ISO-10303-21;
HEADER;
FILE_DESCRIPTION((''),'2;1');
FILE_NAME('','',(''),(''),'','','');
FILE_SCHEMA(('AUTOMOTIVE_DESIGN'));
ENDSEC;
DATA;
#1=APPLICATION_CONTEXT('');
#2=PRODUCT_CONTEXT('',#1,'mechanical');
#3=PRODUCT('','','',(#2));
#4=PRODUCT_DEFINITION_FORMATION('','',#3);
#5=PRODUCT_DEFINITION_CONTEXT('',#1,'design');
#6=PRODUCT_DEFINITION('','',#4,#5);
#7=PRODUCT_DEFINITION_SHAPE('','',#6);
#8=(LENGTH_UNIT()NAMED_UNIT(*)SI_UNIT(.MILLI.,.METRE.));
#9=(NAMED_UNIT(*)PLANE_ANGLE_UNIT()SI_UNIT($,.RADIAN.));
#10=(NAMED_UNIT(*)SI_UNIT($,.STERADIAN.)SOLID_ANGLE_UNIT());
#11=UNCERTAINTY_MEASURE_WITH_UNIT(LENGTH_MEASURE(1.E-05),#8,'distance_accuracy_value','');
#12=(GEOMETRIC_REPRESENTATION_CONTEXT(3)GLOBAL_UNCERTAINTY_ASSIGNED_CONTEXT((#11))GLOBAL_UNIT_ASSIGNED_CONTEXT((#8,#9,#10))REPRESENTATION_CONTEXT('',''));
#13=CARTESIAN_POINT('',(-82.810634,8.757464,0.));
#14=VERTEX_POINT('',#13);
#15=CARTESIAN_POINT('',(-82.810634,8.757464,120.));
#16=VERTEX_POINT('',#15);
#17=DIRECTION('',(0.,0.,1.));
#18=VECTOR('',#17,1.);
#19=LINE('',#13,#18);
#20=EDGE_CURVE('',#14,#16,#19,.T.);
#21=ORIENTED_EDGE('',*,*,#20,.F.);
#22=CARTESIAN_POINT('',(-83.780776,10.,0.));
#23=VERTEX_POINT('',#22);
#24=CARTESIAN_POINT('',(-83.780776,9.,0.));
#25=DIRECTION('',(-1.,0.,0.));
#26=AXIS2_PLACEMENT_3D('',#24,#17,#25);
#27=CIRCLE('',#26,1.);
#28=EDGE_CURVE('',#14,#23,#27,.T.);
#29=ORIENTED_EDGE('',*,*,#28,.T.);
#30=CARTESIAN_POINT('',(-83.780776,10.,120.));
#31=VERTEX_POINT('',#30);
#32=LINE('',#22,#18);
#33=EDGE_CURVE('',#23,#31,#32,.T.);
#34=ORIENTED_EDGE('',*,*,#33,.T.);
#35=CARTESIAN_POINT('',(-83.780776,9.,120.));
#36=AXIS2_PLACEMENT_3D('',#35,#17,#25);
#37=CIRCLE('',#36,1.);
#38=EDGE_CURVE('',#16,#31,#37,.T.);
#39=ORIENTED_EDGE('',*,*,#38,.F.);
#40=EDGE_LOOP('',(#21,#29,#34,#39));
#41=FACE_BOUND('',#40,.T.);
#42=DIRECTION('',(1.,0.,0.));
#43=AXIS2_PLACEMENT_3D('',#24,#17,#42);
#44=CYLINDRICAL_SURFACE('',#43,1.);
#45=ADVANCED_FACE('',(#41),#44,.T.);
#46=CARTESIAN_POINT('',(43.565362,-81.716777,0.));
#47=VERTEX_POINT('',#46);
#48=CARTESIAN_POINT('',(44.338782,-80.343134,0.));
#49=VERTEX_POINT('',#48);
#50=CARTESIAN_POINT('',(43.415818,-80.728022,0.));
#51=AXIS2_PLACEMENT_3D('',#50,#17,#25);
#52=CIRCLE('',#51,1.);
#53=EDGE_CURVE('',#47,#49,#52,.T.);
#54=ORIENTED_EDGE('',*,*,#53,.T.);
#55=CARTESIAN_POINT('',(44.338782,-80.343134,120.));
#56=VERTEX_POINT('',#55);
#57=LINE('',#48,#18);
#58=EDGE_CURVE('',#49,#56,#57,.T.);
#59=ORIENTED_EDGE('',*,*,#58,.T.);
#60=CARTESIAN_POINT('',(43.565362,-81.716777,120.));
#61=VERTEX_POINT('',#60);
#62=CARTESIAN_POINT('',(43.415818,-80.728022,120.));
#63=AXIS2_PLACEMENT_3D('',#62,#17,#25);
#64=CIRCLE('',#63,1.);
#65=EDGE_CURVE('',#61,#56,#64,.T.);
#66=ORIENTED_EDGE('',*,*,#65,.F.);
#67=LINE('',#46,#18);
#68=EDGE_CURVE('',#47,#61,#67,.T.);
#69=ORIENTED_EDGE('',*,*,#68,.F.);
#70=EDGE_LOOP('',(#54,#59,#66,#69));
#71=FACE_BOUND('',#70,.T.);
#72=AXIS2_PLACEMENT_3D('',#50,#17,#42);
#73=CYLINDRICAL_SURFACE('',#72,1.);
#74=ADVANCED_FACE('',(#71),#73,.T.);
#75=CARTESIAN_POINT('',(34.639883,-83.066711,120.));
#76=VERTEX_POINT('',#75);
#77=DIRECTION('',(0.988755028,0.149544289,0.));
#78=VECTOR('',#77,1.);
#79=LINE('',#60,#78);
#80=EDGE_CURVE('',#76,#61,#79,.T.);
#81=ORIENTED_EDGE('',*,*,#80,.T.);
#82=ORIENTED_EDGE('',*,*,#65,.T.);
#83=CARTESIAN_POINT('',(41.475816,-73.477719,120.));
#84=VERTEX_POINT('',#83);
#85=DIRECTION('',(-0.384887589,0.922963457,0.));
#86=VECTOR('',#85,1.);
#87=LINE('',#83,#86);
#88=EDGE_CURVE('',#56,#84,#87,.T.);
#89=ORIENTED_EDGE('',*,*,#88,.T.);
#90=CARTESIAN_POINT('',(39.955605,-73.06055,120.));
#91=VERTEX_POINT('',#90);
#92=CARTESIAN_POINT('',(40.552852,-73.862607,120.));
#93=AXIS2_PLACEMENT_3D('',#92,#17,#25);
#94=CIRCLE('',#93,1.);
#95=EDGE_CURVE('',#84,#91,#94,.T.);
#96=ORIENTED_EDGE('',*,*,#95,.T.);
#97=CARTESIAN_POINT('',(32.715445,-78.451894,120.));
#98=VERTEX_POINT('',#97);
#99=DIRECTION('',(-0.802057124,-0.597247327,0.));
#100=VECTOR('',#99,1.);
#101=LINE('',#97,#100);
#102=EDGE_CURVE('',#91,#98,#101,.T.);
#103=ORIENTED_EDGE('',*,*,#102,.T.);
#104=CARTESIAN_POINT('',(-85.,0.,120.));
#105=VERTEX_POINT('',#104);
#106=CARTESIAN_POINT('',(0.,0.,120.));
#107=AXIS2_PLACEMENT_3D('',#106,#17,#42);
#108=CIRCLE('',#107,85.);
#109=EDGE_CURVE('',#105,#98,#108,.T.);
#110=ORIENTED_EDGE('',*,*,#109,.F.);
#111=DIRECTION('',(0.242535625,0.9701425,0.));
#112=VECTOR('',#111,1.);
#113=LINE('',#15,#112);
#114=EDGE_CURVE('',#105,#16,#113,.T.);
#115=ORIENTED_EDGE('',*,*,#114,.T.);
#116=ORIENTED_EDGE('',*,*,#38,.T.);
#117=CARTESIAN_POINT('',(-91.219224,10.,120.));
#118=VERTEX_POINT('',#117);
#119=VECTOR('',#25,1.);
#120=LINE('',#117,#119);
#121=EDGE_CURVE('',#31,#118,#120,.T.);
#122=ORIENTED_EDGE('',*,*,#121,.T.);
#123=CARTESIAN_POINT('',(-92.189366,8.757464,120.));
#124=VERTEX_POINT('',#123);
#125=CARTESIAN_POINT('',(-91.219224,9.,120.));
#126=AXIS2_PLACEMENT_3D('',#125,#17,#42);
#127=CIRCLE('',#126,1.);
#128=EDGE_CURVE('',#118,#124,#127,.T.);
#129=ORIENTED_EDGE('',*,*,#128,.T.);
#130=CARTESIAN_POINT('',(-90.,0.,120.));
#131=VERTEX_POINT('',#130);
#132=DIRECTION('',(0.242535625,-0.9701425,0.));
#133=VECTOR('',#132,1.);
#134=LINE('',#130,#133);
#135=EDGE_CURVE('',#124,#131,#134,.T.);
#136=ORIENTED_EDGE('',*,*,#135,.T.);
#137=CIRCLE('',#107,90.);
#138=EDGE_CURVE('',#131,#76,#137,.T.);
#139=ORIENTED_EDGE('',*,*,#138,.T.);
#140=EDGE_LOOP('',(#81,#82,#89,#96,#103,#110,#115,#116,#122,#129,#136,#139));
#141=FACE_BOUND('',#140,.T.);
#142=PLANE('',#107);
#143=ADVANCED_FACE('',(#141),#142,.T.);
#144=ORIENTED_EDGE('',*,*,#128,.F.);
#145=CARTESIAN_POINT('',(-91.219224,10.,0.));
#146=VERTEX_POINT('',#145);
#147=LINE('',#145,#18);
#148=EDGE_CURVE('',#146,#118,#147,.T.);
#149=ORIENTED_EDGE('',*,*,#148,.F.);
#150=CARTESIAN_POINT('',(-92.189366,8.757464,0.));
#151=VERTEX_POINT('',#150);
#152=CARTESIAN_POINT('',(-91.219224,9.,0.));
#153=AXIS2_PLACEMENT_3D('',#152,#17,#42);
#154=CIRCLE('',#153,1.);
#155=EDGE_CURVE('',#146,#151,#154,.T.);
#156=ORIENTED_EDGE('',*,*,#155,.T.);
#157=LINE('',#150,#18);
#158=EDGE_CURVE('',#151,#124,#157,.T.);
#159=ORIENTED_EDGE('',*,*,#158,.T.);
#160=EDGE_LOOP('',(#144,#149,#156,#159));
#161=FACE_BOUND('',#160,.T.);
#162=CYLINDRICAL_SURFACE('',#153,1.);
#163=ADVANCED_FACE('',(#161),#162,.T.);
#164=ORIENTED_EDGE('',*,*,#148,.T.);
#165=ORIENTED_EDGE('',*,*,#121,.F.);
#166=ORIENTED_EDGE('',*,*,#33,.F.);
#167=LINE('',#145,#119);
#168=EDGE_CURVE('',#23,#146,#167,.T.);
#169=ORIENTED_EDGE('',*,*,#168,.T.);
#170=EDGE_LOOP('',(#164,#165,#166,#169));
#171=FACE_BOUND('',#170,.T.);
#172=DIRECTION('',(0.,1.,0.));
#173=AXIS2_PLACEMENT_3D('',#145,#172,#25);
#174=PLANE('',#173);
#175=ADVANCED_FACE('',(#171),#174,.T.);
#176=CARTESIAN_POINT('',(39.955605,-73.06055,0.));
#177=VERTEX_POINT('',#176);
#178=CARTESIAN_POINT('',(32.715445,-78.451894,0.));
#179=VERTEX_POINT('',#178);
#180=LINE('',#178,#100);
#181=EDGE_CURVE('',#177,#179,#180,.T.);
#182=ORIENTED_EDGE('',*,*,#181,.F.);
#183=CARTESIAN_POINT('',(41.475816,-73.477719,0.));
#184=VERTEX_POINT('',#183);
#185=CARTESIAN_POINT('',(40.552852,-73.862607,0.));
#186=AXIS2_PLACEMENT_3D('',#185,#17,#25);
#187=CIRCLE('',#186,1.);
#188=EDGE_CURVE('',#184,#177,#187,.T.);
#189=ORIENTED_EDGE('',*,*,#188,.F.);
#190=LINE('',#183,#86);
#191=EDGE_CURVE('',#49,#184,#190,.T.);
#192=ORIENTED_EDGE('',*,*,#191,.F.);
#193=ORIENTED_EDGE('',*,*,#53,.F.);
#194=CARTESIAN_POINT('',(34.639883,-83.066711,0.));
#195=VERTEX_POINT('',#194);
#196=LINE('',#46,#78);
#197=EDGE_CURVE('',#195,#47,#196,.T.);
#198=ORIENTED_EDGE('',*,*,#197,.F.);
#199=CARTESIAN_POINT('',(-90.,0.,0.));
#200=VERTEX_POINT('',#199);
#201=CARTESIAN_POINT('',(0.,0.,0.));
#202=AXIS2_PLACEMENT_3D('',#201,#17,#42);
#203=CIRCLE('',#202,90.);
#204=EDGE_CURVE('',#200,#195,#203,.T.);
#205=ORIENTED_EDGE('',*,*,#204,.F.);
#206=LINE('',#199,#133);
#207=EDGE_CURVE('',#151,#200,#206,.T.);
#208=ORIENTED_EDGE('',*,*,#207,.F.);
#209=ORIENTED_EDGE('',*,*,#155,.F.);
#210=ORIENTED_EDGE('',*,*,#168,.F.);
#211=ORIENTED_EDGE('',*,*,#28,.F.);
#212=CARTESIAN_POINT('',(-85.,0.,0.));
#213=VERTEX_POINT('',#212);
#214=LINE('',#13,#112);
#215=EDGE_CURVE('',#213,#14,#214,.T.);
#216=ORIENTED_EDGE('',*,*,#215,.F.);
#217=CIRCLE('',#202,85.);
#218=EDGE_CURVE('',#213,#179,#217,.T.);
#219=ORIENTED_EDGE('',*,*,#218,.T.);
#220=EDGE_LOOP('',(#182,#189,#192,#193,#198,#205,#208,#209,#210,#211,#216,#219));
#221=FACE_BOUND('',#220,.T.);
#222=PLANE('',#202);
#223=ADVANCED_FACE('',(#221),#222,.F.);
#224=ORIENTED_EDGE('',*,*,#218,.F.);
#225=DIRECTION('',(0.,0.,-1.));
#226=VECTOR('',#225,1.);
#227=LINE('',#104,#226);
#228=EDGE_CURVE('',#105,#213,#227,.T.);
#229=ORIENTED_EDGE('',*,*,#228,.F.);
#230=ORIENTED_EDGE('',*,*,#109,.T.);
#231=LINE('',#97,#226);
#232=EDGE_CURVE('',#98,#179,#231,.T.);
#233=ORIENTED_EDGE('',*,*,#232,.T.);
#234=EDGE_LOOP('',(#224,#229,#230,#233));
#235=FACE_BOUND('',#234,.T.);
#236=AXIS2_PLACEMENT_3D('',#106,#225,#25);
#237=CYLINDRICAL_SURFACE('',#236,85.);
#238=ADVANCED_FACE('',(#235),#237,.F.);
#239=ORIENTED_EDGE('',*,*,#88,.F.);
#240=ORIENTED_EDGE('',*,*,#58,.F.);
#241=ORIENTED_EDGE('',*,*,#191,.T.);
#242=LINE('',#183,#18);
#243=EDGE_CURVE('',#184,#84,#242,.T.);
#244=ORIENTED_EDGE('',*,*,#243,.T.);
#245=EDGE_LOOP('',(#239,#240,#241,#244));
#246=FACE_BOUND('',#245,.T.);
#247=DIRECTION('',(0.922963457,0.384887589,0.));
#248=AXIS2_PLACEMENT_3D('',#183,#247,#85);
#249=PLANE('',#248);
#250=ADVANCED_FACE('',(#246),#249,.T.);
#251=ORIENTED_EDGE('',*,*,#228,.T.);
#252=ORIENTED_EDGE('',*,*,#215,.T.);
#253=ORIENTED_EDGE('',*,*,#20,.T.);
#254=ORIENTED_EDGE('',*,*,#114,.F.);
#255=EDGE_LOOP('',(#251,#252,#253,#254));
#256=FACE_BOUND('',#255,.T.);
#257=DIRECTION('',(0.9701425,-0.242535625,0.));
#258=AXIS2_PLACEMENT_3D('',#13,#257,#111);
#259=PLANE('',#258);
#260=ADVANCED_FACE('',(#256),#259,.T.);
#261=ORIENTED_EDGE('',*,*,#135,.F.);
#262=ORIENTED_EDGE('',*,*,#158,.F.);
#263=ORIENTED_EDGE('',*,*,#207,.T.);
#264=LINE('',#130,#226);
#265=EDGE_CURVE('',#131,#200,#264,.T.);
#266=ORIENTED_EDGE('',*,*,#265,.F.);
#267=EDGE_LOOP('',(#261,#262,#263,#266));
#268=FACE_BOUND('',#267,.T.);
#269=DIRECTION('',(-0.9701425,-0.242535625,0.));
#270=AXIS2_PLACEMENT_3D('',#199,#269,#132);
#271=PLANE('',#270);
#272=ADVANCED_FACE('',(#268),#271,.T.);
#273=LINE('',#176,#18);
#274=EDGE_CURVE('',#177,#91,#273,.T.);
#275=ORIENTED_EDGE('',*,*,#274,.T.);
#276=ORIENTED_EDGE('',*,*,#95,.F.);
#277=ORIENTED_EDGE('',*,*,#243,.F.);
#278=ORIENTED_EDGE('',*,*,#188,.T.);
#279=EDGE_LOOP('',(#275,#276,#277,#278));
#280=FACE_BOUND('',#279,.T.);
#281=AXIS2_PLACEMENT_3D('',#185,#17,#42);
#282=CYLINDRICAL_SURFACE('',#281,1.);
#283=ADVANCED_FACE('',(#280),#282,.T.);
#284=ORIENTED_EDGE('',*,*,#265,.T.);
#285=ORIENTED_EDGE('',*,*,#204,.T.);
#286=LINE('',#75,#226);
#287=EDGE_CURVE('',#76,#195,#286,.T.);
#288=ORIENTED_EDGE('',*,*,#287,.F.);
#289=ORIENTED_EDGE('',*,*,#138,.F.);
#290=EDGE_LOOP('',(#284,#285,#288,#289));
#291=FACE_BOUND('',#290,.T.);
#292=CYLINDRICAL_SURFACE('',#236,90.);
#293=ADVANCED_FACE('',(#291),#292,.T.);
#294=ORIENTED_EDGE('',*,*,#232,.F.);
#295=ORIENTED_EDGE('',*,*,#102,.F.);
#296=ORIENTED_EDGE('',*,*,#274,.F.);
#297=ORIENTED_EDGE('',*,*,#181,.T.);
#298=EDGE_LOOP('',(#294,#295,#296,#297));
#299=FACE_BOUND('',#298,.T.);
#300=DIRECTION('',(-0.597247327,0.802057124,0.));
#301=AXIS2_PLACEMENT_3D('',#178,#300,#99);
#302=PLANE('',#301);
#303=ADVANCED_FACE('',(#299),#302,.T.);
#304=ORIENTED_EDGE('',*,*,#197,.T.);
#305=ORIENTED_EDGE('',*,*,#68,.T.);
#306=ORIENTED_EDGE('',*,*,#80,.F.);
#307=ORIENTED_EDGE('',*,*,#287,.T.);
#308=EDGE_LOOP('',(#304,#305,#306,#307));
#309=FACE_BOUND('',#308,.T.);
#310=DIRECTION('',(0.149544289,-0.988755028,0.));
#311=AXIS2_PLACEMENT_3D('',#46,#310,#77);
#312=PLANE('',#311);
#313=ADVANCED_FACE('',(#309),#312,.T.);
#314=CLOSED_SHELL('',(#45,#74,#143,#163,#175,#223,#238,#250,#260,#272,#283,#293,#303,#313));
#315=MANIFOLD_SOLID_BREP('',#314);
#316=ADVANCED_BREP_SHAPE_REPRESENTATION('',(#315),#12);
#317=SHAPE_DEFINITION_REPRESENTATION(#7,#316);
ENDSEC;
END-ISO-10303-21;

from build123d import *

# Parameters (mm, degrees)
MAIN_BODY_DEPTH           = 120
LOCKING_MECHANISM_DEPTH   = 120
LOCKING_MECHANISM_2_DEPTH = 120


with BuildPart() as part:
    # Curve → Main Body (new body)
    with BuildSketch(Plane.XY):
        with BuildLine():
            ThreePointArc((-85, 0), (-47.139087644, -70.731226598), (32.715445084, -78.451893877))
            Line((32.715445084, -78.451893877), (34.63988303, -83.066711164))
            ThreePointArc((34.63988303, -83.066711164), (-49.911975153, -74.891886986), (-90, 0))
            Line((-90, 0), (-85, 0))
        make_face()
    extrude(amount=MAIN_BODY_DEPTH)

    # Lock shape → Locking Mechanism (add)
    with BuildSketch(Plane.XY.offset(120)):
        with BuildLine():
            Line((32.715445084, -78.451893877), (39.955604844, -73.060549627))
            ThreePointArc((39.955604844, -73.060549627), (40.81748466, -72.898257413), (41.475815628, -73.477719162))
            Line((41.475815628, -73.477719162), (44.338781633, -80.343134095))
            ThreePointArc((44.338781633, -80.343134095), (44.287191647, -81.218641979), (43.565362465, -81.716776713))
            Line((43.565362465, -81.716776713), (34.63988303, -83.066711164))
            Line((34.63988303, -83.066711164), (32.715445084, -78.451893877))
        make_face()
    extrude(amount=-LOCKING_MECHANISM_DEPTH)

    # Lock shape 2 → Locking Mechanism 2 (add)
    with BuildSketch(Plane.XY.offset(120)):
        with BuildLine():
            Line((-90, 0), (-92.189366094, 8.757464375))
            ThreePointArc((-92.189366094, 8.757464375), (-92.007429032, 9.615412209), (-91.219223594, 10))
            Line((-91.219223594, 10), (-83.780776406, 10))
            ThreePointArc((-83.780776406, 10), (-82.992570968, 9.615412209), (-82.810633906, 8.757464375))
            Line((-82.810633906, 8.757464375), (-85, 0))
            Line((-85, 0), (-90, 0))
        make_face()
    extrude(amount=-LOCKING_MECHANISM_2_DEPTH)


solid = part.part
